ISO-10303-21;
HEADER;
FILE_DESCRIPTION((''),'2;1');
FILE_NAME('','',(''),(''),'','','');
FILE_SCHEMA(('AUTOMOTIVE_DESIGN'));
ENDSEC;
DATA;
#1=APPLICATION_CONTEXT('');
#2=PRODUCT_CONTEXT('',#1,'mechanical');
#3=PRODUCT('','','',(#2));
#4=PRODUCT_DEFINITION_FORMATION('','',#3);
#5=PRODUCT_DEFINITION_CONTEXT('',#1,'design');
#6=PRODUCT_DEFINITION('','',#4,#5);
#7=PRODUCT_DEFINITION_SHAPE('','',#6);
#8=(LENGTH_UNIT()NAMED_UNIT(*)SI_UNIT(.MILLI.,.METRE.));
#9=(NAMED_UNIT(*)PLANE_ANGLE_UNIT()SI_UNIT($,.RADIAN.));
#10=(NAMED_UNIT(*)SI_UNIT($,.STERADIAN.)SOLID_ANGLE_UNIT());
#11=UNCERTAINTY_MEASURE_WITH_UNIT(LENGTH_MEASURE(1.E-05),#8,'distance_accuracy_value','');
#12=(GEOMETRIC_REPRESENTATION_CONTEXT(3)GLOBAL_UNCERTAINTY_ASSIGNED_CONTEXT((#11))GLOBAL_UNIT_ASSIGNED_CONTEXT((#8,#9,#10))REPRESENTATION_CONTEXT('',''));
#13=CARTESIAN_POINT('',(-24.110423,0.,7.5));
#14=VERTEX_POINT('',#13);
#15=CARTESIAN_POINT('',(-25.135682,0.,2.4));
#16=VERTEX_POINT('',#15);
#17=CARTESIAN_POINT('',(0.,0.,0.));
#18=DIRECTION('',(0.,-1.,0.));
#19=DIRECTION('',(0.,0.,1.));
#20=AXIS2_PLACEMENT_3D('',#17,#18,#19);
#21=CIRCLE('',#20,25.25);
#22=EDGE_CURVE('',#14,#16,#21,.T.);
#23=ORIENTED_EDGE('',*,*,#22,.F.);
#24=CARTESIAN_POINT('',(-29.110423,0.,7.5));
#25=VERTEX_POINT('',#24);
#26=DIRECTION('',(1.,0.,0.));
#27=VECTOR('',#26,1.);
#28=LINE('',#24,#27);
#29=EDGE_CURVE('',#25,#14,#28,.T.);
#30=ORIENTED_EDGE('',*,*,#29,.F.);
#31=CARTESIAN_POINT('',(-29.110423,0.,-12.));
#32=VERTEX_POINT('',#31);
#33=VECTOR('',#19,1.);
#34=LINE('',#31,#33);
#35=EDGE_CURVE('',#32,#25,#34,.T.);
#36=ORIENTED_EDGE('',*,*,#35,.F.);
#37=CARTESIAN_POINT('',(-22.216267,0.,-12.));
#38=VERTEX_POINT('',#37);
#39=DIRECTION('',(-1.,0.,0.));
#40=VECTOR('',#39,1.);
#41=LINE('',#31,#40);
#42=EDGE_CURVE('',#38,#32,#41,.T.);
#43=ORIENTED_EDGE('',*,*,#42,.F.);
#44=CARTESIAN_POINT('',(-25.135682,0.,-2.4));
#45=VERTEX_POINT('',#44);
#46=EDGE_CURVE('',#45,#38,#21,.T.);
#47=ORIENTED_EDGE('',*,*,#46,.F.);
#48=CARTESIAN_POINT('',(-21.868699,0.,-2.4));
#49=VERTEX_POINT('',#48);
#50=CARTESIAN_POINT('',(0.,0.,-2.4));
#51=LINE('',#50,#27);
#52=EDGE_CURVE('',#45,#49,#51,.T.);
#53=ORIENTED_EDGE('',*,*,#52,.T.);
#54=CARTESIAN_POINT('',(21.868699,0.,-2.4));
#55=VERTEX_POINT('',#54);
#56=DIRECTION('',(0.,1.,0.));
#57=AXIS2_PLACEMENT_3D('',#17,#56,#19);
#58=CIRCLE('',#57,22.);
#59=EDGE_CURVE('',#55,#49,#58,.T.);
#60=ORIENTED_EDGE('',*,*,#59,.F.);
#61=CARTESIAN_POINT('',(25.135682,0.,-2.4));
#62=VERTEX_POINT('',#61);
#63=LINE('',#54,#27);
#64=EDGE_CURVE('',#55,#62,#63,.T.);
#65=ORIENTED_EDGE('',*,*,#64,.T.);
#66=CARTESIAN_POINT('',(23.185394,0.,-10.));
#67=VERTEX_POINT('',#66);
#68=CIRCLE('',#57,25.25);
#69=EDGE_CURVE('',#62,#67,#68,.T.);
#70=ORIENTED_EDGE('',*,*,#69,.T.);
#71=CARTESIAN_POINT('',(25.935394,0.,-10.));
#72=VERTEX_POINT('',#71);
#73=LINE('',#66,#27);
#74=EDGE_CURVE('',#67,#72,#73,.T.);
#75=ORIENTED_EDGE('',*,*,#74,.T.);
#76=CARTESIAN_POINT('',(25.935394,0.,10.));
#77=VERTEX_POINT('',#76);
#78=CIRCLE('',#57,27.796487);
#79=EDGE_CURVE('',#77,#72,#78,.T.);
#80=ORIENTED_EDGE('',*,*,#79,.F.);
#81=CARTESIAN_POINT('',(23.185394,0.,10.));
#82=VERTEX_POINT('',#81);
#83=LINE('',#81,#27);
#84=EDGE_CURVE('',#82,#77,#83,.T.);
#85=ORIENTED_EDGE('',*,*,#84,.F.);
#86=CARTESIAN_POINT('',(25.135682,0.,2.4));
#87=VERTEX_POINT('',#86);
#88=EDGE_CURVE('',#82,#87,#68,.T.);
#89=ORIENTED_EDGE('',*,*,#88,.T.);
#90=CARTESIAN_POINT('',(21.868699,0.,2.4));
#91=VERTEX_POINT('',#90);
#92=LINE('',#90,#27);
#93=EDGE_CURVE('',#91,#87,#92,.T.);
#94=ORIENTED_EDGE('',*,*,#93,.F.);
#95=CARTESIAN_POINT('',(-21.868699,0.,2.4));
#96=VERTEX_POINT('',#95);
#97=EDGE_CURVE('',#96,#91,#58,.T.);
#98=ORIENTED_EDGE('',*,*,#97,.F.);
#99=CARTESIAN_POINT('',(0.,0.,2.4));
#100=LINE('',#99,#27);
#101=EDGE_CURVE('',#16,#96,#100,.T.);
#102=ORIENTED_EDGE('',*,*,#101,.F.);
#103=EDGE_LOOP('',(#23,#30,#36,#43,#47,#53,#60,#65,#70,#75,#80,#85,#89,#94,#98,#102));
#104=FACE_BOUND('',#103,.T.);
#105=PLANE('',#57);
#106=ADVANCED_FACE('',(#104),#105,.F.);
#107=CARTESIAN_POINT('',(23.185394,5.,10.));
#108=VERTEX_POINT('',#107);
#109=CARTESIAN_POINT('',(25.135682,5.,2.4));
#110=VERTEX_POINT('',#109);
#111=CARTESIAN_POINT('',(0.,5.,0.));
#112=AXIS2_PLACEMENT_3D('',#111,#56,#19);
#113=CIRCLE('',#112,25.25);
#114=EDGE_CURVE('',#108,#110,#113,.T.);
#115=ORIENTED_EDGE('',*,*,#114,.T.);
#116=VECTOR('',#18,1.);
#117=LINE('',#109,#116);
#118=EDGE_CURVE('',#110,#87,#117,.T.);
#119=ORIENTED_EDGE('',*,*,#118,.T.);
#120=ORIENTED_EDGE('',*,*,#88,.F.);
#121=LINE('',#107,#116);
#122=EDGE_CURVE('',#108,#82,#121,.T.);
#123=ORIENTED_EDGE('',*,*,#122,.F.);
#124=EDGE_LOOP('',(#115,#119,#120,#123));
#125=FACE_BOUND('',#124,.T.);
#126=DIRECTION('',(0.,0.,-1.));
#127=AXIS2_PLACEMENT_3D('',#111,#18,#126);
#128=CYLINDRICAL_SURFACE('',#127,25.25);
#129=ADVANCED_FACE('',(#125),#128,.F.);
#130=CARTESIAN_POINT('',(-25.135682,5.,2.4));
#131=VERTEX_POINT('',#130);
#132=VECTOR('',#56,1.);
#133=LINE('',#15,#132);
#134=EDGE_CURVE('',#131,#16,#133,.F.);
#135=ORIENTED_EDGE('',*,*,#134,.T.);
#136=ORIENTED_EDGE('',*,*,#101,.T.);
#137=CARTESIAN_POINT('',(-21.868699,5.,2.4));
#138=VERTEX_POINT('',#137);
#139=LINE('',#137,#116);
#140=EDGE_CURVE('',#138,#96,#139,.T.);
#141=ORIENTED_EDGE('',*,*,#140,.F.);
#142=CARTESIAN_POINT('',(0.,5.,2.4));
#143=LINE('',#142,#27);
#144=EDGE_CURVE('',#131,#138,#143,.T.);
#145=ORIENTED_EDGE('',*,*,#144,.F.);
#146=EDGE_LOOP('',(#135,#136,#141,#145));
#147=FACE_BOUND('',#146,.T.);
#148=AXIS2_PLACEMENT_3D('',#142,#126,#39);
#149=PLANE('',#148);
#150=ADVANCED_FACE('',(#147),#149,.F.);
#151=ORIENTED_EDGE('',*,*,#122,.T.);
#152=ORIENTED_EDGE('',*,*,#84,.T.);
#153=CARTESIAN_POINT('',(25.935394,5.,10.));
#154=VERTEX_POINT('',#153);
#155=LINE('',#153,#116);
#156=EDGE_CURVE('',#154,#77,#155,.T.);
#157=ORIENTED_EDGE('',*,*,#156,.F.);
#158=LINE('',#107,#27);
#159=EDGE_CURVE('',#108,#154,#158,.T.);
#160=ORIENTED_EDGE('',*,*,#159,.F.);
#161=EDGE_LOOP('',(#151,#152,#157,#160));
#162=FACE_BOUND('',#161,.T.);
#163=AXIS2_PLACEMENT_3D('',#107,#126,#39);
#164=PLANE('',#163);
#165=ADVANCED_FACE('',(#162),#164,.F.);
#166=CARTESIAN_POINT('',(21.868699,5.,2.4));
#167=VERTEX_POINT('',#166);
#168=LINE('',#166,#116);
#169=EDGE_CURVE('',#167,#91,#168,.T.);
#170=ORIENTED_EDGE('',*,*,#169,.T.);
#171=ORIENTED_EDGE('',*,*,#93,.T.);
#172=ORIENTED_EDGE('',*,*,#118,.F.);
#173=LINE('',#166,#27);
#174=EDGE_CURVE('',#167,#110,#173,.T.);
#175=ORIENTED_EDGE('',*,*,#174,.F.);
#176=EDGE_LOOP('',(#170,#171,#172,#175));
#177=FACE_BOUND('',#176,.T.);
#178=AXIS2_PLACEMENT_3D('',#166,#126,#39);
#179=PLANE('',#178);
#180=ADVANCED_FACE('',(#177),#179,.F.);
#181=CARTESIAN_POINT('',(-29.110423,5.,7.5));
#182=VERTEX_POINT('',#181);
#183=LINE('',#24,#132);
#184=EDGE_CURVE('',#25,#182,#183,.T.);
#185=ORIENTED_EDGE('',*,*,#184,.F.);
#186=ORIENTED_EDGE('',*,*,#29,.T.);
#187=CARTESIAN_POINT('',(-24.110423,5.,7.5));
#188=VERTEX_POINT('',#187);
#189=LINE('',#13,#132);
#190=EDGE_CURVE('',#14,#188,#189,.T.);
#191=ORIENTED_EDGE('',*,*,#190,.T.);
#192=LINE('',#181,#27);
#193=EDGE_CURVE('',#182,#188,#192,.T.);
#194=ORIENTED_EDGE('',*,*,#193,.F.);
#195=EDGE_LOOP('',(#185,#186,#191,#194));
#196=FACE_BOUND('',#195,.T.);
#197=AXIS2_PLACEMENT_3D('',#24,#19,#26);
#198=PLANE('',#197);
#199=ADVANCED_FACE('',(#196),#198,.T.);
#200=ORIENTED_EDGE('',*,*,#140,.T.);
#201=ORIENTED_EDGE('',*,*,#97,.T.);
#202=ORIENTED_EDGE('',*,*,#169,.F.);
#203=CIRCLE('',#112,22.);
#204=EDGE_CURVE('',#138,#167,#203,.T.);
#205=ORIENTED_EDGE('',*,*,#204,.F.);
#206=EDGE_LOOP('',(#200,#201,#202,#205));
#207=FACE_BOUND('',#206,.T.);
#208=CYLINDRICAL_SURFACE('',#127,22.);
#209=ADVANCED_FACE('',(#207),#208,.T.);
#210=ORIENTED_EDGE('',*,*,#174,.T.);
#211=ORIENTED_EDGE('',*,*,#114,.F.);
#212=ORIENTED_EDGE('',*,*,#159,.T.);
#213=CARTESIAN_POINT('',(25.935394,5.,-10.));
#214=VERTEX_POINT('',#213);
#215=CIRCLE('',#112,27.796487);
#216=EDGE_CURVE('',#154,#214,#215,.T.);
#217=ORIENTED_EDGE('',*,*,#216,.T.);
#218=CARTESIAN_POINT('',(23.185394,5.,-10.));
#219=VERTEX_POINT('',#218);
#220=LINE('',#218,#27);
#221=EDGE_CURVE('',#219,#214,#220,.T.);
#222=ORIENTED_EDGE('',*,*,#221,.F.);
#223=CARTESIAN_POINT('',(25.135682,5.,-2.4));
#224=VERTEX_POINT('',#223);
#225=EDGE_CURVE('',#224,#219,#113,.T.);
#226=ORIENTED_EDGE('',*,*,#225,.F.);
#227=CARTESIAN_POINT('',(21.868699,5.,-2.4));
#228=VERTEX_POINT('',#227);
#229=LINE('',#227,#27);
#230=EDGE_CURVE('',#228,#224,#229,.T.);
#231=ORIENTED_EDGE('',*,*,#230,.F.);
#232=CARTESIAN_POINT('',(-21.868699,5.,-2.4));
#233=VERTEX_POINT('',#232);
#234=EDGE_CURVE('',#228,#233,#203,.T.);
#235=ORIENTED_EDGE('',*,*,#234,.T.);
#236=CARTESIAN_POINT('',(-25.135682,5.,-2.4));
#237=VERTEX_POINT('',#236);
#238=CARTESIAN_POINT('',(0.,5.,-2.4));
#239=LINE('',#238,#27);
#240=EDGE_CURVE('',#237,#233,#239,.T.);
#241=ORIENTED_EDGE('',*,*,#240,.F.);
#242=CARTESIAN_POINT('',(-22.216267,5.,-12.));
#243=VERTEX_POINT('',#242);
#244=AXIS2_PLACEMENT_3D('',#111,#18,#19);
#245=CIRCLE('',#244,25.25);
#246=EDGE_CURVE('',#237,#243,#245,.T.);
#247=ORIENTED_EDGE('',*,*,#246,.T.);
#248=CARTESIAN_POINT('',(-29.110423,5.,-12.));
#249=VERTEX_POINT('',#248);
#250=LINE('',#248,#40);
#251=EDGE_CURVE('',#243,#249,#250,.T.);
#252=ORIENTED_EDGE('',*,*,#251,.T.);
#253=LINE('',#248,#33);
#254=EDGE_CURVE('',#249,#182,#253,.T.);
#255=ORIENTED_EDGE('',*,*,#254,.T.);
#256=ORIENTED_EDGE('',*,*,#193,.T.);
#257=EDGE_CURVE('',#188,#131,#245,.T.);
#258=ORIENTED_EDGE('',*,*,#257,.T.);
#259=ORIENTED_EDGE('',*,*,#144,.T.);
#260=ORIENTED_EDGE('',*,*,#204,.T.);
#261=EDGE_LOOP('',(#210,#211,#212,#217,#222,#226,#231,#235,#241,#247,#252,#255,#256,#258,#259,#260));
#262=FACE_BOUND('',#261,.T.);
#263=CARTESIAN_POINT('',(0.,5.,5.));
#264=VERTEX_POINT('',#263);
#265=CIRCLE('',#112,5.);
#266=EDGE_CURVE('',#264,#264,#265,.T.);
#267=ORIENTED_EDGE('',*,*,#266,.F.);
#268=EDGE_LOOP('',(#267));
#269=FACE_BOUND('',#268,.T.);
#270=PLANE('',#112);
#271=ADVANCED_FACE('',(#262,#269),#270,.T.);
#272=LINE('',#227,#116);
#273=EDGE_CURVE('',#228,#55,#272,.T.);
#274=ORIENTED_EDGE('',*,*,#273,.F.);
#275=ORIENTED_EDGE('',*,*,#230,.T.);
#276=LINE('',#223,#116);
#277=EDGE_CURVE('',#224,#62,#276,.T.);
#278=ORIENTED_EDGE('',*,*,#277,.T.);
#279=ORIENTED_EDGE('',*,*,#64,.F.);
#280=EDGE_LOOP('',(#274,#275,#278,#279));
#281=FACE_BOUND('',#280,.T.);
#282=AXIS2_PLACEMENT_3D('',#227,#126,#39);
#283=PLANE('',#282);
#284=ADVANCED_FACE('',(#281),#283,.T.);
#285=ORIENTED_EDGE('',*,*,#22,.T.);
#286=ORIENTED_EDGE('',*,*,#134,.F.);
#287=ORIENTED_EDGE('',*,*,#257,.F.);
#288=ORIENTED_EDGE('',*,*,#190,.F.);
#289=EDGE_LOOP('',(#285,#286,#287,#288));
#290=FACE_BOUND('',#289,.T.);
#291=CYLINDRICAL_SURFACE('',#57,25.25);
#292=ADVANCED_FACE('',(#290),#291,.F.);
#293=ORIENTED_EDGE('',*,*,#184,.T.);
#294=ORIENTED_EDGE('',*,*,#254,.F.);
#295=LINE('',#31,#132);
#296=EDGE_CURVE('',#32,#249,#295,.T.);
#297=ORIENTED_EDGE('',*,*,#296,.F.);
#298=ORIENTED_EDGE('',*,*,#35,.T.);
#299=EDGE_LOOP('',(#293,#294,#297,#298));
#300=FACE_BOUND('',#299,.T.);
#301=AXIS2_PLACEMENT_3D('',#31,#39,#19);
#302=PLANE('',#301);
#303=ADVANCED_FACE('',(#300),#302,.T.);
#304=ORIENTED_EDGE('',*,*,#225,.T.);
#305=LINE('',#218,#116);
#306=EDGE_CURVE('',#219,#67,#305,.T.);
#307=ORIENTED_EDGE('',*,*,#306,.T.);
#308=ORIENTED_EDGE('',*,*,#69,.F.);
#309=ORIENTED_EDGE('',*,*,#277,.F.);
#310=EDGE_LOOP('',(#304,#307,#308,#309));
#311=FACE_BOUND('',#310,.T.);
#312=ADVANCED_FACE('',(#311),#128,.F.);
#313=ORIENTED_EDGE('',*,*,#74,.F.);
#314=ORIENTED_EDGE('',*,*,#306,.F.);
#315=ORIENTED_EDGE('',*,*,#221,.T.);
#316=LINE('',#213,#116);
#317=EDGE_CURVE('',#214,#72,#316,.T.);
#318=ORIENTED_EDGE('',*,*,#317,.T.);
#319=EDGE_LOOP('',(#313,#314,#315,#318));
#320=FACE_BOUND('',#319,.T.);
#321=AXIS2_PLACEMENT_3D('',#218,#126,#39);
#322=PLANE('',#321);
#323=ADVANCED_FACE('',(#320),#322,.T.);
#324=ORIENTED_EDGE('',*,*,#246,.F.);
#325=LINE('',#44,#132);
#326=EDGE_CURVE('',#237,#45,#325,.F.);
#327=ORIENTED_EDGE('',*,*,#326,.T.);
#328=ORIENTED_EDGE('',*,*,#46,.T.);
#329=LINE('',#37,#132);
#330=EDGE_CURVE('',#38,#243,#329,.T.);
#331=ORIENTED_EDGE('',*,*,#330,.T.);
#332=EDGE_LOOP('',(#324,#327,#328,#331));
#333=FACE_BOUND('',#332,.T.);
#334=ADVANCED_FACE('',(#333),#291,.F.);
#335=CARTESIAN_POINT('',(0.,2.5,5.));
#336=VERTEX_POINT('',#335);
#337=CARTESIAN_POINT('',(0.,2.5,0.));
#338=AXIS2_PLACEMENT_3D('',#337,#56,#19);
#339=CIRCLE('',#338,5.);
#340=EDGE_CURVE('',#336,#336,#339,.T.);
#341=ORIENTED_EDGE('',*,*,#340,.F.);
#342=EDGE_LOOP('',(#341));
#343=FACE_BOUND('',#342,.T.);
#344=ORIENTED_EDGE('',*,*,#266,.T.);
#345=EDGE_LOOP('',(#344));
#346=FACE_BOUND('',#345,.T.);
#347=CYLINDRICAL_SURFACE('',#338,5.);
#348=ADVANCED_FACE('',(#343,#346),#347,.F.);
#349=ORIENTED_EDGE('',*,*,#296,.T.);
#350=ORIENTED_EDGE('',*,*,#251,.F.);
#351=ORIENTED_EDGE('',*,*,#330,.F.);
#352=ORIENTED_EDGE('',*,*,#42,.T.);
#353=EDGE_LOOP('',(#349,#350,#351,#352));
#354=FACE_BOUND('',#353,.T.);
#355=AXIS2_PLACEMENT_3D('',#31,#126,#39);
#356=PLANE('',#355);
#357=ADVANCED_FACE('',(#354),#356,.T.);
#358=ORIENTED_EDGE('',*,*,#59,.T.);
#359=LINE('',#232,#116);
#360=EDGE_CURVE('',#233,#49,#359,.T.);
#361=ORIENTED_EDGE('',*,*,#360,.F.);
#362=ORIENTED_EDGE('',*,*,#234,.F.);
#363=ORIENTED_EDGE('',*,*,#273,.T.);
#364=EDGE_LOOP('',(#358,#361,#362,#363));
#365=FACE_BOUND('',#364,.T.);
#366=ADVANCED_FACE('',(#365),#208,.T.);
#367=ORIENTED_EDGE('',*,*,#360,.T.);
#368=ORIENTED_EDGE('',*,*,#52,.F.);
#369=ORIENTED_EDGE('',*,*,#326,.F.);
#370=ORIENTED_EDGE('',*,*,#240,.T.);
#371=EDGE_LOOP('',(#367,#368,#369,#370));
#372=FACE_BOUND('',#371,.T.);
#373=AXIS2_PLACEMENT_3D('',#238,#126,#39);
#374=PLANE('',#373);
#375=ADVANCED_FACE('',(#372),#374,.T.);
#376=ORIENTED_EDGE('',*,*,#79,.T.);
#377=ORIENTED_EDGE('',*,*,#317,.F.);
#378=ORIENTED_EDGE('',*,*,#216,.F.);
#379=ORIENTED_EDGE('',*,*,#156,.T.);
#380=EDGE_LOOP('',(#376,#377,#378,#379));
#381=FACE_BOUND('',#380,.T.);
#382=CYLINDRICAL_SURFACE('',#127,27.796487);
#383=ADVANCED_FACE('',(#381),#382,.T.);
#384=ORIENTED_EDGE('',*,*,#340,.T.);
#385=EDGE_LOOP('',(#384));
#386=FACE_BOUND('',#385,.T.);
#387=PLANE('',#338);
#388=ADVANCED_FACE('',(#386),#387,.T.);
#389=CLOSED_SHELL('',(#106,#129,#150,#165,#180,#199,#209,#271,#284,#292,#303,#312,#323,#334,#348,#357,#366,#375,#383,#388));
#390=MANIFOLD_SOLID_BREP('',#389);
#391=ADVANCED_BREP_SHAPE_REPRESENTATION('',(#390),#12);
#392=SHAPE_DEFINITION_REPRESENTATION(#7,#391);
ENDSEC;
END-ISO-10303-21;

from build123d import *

# Parameters (mm, degrees)
SKETCH1_R           = 22
SKETCH1_W           = 4
SKETCH1_H           = 4.8
BOSS_EXTRUDE1_DEPTH = 5
BOSS_EXTRUDE2_DEPTH = 5
SKETCH3_R           = 5
CUT_EXTRUDE1_DEPTH  = 2.5


with BuildPart() as part:
    # Sketch1 → Boss-Extrude1 (new body)
    with BuildSketch(Plane(origin=(0, 0, 0), x_dir=(1, 0, 0), z_dir=(0, 1, 0))):
        Circle(SKETCH1_R)
        with Locations((-23.868699093, 0)):
            Rectangle(SKETCH1_W, SKETCH1_H)
        with BuildLine():
            Line((21.868699093, 2.4), (25.135681809, 2.4))
            ThreePointArc((25.135681809, 2.4), (24.45754678, 6.276217454), (23.185394109, 10))
            Line((23.185394109, 10), (25.935394109, 10))
            ThreePointArc((25.935394109, 10), (27.796486605, 0), (25.935394109, -10))
            Line((25.935394109, -10), (23.185394109, -10))
            ThreePointArc((23.185394109, -10), (24.45754678, -6.276217454), (25.135681809, -2.4))
            Line((25.135681809, -2.4), (21.868699093, -2.4))
            Line((21.868699093, -2.4), (21.868699093, 2.4))
        make_face()
    extrude(amount=BOSS_EXTRUDE1_DEPTH)

    # Sketch2 → Boss-Extrude2 (add)
    with BuildSketch(Plane(origin=(0, 5, 0), x_dir=(1, 0, 0), z_dir=(0, 1, 0))):
        with BuildLine():
            Line((-29.110423057, 12), (-22.216266563, 12))
            ThreePointArc((-22.216266563, 12), (-25.131713885, 2.441199952), (-24.110423057, -7.5))
            Line((-24.110423057, -7.5), (-29.110423057, -7.5))
            Line((-29.110423057, -7.5), (-29.110423057, 12))
        make_face()
    extrude(amount=-BOSS_EXTRUDE2_DEPTH)

    # Sketch3 → Cut-Extrude1 (cut)
    with BuildSketch(Plane(origin=(0, 5, 0), x_dir=(1, 0, 0), z_dir=(0, 1, 0))):
        Circle(SKETCH3_R)
    extrude(amount=-CUT_EXTRUDE1_DEPTH, mode=Mode.SUBTRACT)


solid = part.part
